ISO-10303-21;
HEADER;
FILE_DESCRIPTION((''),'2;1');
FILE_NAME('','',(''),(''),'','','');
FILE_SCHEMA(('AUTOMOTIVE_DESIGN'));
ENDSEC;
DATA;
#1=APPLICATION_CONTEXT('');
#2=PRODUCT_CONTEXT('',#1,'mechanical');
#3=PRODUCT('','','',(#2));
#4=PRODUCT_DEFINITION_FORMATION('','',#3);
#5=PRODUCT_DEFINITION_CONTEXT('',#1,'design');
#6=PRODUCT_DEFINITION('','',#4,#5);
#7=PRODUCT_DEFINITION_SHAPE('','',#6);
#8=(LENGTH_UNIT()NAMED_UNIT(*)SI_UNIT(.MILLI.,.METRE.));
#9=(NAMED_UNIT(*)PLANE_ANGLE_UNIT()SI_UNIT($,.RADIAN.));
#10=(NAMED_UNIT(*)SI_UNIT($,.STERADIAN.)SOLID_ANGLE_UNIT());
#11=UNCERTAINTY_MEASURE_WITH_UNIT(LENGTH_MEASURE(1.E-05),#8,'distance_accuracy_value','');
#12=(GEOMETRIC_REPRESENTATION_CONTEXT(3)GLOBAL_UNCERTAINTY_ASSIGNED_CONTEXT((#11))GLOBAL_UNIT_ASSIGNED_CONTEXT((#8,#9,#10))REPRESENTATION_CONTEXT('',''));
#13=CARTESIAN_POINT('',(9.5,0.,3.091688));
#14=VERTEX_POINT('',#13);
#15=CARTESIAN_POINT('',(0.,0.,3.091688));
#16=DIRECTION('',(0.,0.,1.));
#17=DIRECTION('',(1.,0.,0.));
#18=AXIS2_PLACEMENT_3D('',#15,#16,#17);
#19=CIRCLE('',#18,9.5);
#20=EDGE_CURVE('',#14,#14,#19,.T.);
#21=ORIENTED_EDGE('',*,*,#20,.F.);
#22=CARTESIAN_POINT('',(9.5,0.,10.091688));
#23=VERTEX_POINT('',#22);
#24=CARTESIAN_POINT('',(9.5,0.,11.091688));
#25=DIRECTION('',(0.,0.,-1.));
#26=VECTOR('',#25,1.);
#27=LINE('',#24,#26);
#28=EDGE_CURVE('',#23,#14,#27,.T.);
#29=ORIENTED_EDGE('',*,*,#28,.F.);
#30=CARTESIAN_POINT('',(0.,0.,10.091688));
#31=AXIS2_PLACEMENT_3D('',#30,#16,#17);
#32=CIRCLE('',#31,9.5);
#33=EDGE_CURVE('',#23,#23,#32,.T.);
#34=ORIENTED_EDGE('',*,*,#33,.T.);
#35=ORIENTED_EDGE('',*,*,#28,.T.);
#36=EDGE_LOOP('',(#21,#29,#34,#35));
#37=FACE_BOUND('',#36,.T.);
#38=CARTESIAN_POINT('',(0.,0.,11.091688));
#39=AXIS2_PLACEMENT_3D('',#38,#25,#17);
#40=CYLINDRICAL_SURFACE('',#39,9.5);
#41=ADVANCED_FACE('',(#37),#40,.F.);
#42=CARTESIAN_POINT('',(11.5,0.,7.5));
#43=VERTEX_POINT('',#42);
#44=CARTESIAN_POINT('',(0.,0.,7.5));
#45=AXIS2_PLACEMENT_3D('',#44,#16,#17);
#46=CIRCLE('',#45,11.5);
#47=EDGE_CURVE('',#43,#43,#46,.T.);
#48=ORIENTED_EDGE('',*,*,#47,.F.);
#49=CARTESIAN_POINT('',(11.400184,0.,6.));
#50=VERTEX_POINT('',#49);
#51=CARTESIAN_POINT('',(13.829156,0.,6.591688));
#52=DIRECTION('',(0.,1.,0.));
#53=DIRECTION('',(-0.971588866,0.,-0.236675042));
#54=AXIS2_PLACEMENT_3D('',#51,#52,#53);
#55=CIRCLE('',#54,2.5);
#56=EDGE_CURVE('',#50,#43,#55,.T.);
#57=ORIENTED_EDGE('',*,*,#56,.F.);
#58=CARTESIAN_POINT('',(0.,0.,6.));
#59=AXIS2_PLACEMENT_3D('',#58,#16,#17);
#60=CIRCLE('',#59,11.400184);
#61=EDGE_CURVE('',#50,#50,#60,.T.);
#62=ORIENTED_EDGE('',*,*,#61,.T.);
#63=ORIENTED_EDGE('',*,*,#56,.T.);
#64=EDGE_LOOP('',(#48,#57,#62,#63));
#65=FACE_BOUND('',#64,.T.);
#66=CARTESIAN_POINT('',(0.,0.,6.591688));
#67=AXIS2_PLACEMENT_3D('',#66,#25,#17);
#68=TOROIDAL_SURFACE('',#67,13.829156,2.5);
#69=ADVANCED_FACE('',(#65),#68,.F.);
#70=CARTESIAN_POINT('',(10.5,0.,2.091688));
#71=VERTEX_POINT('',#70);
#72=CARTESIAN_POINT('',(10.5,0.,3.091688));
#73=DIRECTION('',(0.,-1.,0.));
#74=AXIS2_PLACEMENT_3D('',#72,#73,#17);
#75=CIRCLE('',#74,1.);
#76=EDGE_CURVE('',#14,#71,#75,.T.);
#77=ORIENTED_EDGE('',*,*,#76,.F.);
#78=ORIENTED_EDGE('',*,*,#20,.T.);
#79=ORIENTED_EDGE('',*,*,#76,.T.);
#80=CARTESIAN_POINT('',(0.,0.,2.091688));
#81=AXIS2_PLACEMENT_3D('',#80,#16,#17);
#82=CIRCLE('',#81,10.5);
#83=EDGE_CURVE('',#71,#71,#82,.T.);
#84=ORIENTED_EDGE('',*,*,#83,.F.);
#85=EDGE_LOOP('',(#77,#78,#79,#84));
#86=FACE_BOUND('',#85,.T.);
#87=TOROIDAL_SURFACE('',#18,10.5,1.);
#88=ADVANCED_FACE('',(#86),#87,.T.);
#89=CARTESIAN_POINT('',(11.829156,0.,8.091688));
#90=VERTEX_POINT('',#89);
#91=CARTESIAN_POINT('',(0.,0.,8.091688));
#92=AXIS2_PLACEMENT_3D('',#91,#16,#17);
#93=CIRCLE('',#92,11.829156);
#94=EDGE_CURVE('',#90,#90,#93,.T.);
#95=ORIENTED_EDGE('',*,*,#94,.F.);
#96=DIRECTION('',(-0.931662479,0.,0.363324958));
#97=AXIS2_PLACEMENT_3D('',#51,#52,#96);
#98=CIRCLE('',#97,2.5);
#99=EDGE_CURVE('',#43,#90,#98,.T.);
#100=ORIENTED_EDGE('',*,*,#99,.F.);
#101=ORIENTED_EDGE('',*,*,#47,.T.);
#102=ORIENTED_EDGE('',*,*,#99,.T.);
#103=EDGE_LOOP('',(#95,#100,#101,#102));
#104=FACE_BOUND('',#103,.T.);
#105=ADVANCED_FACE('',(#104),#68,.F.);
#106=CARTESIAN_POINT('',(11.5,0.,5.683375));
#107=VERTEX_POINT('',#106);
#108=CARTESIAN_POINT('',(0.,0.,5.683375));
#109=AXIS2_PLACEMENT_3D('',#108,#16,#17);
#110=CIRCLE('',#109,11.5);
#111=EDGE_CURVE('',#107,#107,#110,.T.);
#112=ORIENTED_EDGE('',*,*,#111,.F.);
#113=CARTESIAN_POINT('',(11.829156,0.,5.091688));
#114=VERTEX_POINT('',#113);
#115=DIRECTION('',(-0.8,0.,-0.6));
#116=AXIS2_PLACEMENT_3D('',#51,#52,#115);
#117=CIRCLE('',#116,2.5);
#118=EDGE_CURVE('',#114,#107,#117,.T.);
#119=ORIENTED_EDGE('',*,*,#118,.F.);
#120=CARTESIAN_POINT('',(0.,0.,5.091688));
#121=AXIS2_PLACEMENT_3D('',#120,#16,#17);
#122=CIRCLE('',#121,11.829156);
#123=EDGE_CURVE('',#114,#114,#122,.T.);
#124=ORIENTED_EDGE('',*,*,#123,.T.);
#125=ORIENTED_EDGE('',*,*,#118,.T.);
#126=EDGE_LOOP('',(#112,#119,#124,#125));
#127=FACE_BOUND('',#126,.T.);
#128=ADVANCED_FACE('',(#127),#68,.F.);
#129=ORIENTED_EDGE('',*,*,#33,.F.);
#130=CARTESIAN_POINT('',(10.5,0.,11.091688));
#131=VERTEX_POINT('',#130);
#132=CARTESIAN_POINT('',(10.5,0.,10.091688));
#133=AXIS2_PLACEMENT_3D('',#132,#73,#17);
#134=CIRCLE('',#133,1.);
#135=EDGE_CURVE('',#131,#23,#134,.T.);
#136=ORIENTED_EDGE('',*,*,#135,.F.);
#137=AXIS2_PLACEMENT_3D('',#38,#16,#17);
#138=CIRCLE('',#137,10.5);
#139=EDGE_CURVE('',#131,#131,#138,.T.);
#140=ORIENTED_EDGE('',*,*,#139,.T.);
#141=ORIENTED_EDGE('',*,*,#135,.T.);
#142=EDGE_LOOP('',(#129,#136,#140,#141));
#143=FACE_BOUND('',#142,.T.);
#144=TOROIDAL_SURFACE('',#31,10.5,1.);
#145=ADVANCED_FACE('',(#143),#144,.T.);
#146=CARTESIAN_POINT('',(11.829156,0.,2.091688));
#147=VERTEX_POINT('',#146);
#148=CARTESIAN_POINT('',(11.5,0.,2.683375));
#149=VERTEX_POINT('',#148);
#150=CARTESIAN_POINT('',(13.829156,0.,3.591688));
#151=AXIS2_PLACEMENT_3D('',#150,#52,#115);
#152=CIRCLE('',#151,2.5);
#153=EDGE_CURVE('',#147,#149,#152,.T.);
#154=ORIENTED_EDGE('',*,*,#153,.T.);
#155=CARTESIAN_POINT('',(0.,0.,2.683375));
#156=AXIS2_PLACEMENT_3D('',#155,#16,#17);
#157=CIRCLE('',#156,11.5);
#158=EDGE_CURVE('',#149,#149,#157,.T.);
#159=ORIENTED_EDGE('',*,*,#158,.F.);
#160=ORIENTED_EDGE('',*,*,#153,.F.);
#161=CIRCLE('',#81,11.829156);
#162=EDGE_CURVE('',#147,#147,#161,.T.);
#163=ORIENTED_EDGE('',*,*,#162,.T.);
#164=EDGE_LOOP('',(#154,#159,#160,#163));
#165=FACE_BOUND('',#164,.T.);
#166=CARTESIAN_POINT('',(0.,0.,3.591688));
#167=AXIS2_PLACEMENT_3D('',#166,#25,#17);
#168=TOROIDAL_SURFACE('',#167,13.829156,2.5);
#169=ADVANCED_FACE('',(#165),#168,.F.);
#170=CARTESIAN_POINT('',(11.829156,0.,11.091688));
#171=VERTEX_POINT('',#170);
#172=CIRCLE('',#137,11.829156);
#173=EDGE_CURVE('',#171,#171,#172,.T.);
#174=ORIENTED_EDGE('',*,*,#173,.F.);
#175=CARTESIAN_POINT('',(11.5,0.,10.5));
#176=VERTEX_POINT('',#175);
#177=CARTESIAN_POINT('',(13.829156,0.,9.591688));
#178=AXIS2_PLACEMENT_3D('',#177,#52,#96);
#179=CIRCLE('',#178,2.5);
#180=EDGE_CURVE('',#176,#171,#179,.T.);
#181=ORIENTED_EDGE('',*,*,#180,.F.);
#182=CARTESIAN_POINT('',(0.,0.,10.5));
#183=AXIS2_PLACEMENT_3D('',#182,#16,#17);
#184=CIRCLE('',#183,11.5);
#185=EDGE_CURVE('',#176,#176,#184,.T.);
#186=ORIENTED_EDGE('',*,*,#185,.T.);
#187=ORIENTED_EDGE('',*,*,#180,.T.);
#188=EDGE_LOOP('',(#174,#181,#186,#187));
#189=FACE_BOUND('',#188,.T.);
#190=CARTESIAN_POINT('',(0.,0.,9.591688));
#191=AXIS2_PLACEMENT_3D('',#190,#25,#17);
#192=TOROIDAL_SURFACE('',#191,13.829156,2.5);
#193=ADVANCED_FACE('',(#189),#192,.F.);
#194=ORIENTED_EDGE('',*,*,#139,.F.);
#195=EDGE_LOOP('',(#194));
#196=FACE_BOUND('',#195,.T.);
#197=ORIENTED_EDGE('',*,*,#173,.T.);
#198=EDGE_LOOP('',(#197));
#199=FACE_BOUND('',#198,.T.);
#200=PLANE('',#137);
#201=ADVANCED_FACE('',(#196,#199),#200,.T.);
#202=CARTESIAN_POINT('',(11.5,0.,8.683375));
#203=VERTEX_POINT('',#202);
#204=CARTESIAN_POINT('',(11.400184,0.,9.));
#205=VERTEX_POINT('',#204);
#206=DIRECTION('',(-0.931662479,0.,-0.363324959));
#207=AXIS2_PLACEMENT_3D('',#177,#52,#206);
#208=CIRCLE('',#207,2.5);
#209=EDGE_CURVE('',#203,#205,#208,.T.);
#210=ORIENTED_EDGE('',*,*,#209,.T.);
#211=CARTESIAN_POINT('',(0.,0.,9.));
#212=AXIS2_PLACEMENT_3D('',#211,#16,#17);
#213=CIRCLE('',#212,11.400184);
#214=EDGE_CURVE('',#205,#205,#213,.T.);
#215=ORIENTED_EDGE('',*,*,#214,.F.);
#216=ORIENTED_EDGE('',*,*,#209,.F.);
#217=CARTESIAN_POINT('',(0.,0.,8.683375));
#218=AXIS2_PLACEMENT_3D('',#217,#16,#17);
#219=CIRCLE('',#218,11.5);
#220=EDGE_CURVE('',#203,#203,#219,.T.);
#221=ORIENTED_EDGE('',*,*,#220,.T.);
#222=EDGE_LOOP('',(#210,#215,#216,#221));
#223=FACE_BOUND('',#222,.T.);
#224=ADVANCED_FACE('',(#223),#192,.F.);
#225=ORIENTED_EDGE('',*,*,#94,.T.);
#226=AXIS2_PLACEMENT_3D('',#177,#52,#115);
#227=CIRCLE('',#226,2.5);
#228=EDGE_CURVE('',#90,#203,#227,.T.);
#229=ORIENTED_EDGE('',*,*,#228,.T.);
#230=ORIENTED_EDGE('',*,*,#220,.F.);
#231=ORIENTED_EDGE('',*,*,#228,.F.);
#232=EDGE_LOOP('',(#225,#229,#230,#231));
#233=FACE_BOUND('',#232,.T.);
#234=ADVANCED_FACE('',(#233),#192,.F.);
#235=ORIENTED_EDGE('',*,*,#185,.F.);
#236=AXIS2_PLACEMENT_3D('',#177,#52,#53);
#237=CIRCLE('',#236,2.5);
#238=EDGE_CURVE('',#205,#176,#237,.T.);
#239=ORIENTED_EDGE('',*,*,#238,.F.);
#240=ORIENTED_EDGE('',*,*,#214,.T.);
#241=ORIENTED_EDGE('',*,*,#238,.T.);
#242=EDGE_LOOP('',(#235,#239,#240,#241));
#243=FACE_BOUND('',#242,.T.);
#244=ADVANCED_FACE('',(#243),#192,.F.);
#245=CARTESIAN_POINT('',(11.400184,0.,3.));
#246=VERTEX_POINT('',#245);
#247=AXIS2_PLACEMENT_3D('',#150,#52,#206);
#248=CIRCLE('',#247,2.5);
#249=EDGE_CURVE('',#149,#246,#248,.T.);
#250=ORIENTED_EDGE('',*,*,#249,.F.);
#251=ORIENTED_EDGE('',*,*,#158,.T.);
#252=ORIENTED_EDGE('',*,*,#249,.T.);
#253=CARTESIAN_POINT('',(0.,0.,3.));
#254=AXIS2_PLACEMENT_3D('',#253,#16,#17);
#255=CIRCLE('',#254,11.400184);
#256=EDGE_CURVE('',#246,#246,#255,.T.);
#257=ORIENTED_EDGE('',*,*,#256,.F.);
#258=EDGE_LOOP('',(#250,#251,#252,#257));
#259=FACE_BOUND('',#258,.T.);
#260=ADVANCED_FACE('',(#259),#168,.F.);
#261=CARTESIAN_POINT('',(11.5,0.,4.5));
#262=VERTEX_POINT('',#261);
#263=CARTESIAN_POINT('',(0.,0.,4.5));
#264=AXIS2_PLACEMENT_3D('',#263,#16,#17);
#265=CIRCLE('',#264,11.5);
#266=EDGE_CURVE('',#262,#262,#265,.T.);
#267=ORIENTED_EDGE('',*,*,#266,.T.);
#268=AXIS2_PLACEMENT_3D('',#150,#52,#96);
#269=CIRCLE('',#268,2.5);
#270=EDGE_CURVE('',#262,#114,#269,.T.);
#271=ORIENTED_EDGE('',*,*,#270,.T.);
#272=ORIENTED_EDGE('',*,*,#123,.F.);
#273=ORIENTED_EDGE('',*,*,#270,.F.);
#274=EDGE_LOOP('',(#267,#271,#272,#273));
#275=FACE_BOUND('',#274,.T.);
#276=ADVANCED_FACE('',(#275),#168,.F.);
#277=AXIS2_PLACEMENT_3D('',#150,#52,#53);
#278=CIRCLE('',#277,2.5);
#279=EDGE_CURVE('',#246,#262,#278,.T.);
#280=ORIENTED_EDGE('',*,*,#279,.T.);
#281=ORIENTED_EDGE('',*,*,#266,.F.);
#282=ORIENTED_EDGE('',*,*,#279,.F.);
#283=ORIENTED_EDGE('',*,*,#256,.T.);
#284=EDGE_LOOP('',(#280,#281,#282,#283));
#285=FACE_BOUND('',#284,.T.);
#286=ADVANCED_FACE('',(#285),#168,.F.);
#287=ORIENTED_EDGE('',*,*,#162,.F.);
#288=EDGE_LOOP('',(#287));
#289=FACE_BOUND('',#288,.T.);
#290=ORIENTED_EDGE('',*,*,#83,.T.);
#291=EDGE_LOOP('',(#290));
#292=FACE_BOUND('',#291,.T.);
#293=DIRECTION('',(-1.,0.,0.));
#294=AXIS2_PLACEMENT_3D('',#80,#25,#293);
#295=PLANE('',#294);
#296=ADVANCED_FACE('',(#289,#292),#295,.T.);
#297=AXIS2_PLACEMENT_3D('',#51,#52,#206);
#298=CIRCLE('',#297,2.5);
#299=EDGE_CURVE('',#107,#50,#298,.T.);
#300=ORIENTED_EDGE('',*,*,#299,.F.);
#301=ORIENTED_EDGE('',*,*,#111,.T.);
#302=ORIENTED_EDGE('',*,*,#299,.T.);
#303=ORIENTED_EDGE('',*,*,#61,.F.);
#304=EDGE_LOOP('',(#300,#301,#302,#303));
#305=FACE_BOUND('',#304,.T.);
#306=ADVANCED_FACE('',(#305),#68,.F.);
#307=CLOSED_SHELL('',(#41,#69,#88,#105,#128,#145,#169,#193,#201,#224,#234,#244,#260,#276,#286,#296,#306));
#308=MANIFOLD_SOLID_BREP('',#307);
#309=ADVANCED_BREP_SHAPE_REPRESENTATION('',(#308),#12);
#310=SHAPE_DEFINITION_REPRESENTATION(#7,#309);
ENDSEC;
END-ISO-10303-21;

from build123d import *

# Parameters (mm, degrees)
F2_R = 1


with BuildPart() as f1:
    # F0 (on Front) → F1 (revolve)
    with BuildSketch(Plane.XZ):
        with BuildLine():
            Line((9.5, 4.5), (9.5, 3))
            Line((9.5, 3), (11.4001840326, 3))
            ThreePointArc((11.4001840326, 3), (11.3346730089, 3.7576804399), (11.5, 4.5))
            Line((11.5, 4.5), (9.5, 4.5))
        make_face()
        with BuildLine():
            Line((11.4001840326, 6), (9.5, 6))
            Line((9.5, 6), (9.5, 4.5))
            Line((9.5, 4.5), (11.5, 4.5))
            ThreePointArc((11.5, 4.5), (11.3346730089, 5.2423195601), (11.4001840326, 6))
        make_face()
        with BuildLine():
            Line((9.5, 7.5), (9.5, 6))
            Line((9.5, 6), (11.4001840326, 6))
            ThreePointArc((11.4001840326, 6), (11.3346730089, 6.7576804399), (11.5, 7.5))
            Line((11.5, 7.5), (9.5, 7.5))
        make_face()
        with BuildLine():
            Line((11.5, 8.6833752096), (11.5, 7.5))
            ThreePointArc((11.5, 7.5), (11.6444544099, 7.8070386236), (11.8291561976, 8.0916876048))
            ThreePointArc((11.8291561976, 8.0916876048), (11.6444544099, 8.3763365861), (11.5, 8.6833752096))
        make_face()
        with BuildLine():
            ThreePointArc((11.5, 5.6833752096), (11.4448304662, 5.8400289011), (11.4001840326, 6))
            ThreePointArc((11.4001840326, 6), (11.3346730089, 5.2423195601), (11.5, 4.5))
            Line((11.5, 4.5), (11.5, 5.6833752096))
        make_face()
        with BuildLine():
            Line((11.5, 5.6833752096), (11.5, 4.5))
            ThreePointArc((11.5, 4.5), (11.6444544099, 4.8070386236), (11.8291561976, 5.0916876048))
            ThreePointArc((11.8291561976, 5.0916876048), (11.6444544099, 5.3763365861), (11.5, 5.6833752096))
        make_face()
        with BuildLine():
            ThreePointArc((11.5, 2.6833752096), (11.4448304662, 2.8400289011), (11.4001840326, 3))
            ThreePointArc((11.4001840326, 3), (11.3330717644, 2.5481784102), (11.3492875031, 2.0916876048))
            Line((11.3492875031, 2.0916876048), (11.5, 2.0916876048))
            Line((11.5, 2.0916876048), (11.5, 2.6833752096))
        make_face()
        with BuildLine():
            Line((11.5, 2.6833752096), (11.5, 2.0916876048))
            Line((11.5, 2.0916876048), (11.8291561976, 2.0916876048))
            ThreePointArc((11.8291561976, 2.0916876048), (11.6444544099, 2.3763365861), (11.5, 2.6833752096))
        make_face()
        with BuildLine():
            Line((11.4001840326, 9), (9.5, 9))
            Line((9.5, 9), (9.5, 7.5))
            Line((9.5, 7.5), (11.5, 7.5))
            ThreePointArc((11.5, 7.5), (11.3346730089, 8.2423195601), (11.4001840326, 9))
        make_face()
        with BuildLine():
            ThreePointArc((11.5, 8.6833752096), (11.4448304662, 8.8400289011), (11.4001840326, 9))
            ThreePointArc((11.4001840326, 9), (11.3346730089, 8.2423195601), (11.5, 7.5))
            Line((11.5, 7.5), (11.5, 8.6833752096))
        make_face()
        with BuildLine():
            Line((9.5, 10.5), (9.5, 9))
            Line((9.5, 9), (11.4001840326, 9))
            ThreePointArc((11.4001840326, 9), (11.3346730089, 9.7576804399), (11.5, 10.5))
            Line((11.5, 10.5), (9.5, 10.5))
        make_face()
        with BuildLine():
            Line((11.4001840326, 3), (9.5, 3))
            Line((9.5, 3), (9.5, 2.0916876048))
            Line((9.5, 2.0916876048), (11.3492875031, 2.0916876048))
            ThreePointArc((11.3492875031, 2.0916876048), (11.3330717644, 2.5481784102), (11.4001840326, 3))
        make_face()
        with BuildLine():
            Line((9.5, 11.0916876048), (9.5, 10.5))
            Line((9.5, 10.5), (11.5, 10.5))
            ThreePointArc((11.5, 10.5), (11.4065122579, 10.7912254148), (11.3492875031, 11.0916876048))
            Line((11.3492875031, 11.0916876048), (9.5, 11.0916876048))
        make_face()
        with BuildLine():
            ThreePointArc((11.3492875031, 11.0916876048), (11.4065122579, 10.7912254148), (11.5, 10.5))
            Line((11.5, 10.5), (11.5, 11.0916876048))
            Line((11.5, 11.0916876048), (11.3492875031, 11.0916876048))
        make_face()
        with BuildLine():
            Line((11.5, 11.0916876048), (11.5, 10.5))
            ThreePointArc((11.5, 10.5), (11.6444544099, 10.8070386236), (11.8291561976, 11.0916876048))
            Line((11.8291561976, 11.0916876048), (11.5, 11.0916876048))
        make_face()
    revolve(axis=Axis((0, 0, 12.1688209474), (0, 0, 1)))

    # F2
    f2_edges = [f1.edges().sort_by_distance(p)[0] for p in [
        (-9.5, 0, 11.091688),
        (-9.5, 0, 2.091688),
    ]]
    fillet(f2_edges, radius=F2_R)


solid = f1.part
